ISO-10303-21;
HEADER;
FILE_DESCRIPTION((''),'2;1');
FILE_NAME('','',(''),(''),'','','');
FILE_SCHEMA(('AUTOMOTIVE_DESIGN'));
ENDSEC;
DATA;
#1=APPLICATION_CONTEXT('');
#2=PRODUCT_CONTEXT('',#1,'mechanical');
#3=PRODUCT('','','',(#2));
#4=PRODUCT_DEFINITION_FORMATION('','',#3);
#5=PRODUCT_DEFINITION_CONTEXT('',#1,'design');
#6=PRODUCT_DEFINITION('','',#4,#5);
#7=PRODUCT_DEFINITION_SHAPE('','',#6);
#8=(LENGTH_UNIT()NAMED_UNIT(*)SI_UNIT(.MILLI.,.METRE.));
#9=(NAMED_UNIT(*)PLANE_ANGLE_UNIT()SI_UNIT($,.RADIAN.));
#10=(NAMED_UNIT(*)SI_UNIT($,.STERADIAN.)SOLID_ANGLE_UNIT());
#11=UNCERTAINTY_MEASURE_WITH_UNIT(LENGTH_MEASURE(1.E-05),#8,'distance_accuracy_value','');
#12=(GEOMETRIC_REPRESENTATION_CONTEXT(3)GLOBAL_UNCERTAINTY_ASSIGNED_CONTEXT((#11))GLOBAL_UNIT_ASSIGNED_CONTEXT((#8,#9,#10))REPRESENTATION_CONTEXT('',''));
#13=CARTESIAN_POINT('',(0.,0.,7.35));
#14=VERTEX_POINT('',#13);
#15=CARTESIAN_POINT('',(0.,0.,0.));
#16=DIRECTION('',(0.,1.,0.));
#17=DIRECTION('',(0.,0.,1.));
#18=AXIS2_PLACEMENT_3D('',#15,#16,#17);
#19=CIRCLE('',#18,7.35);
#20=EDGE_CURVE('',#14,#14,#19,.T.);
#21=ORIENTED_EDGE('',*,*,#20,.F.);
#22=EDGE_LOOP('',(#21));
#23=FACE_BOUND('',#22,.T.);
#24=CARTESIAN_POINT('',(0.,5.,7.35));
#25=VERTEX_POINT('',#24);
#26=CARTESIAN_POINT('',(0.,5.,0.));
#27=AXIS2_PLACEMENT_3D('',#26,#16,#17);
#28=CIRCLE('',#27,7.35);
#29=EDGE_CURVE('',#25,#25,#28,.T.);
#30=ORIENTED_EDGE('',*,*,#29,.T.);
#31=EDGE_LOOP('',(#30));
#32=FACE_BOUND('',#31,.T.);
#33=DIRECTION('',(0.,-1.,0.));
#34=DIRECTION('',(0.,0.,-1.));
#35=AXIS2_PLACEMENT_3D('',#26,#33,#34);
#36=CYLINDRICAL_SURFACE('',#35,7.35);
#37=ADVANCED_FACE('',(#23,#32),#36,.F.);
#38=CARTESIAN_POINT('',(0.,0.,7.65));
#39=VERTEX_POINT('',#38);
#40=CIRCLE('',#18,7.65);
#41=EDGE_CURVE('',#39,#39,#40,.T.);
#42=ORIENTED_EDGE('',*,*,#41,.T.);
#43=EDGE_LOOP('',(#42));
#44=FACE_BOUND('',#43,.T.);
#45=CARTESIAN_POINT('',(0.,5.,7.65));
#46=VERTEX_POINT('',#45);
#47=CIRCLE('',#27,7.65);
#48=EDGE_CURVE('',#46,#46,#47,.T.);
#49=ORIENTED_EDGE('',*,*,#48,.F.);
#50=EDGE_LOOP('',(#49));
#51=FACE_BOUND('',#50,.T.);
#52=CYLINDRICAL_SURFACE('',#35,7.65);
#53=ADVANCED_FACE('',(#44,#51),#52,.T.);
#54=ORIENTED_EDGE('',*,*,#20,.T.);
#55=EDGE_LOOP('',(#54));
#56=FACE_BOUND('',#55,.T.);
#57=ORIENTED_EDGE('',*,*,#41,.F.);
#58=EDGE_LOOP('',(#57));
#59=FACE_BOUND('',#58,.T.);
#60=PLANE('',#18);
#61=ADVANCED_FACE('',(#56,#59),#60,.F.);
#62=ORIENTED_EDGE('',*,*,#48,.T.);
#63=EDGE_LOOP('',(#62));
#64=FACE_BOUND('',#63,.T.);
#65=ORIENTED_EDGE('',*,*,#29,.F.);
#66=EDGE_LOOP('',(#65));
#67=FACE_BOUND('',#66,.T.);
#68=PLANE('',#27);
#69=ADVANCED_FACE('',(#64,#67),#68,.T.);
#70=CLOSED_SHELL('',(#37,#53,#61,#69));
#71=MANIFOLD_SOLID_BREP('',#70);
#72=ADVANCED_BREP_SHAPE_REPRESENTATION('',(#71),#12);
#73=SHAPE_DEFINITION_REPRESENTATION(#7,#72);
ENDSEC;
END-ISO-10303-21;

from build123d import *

# Parameters (mm, degrees)
SKETCH_1_R      = 7.65
SKETCH_1_R_2    = 7.35
EXTRUDE_1_DEPTH = 5


with BuildPart() as part:
    # Эскиз1 → Бобышка-Вытянуть1 (new body)
    with BuildSketch(Plane(origin=(0, 0, 0), x_dir=(1, 0, 0), z_dir=(0, 1, 0))):
        with Locations(Location((0, 0, 0), (0, 0, 270))):
            Circle(SKETCH_1_R)
        with Locations(Location((0, 0, 0), (0, 0, 270))):
            Circle(SKETCH_1_R_2, mode=Mode.SUBTRACT)
    extrude(amount=EXTRUDE_1_DEPTH)


solid = part.part
